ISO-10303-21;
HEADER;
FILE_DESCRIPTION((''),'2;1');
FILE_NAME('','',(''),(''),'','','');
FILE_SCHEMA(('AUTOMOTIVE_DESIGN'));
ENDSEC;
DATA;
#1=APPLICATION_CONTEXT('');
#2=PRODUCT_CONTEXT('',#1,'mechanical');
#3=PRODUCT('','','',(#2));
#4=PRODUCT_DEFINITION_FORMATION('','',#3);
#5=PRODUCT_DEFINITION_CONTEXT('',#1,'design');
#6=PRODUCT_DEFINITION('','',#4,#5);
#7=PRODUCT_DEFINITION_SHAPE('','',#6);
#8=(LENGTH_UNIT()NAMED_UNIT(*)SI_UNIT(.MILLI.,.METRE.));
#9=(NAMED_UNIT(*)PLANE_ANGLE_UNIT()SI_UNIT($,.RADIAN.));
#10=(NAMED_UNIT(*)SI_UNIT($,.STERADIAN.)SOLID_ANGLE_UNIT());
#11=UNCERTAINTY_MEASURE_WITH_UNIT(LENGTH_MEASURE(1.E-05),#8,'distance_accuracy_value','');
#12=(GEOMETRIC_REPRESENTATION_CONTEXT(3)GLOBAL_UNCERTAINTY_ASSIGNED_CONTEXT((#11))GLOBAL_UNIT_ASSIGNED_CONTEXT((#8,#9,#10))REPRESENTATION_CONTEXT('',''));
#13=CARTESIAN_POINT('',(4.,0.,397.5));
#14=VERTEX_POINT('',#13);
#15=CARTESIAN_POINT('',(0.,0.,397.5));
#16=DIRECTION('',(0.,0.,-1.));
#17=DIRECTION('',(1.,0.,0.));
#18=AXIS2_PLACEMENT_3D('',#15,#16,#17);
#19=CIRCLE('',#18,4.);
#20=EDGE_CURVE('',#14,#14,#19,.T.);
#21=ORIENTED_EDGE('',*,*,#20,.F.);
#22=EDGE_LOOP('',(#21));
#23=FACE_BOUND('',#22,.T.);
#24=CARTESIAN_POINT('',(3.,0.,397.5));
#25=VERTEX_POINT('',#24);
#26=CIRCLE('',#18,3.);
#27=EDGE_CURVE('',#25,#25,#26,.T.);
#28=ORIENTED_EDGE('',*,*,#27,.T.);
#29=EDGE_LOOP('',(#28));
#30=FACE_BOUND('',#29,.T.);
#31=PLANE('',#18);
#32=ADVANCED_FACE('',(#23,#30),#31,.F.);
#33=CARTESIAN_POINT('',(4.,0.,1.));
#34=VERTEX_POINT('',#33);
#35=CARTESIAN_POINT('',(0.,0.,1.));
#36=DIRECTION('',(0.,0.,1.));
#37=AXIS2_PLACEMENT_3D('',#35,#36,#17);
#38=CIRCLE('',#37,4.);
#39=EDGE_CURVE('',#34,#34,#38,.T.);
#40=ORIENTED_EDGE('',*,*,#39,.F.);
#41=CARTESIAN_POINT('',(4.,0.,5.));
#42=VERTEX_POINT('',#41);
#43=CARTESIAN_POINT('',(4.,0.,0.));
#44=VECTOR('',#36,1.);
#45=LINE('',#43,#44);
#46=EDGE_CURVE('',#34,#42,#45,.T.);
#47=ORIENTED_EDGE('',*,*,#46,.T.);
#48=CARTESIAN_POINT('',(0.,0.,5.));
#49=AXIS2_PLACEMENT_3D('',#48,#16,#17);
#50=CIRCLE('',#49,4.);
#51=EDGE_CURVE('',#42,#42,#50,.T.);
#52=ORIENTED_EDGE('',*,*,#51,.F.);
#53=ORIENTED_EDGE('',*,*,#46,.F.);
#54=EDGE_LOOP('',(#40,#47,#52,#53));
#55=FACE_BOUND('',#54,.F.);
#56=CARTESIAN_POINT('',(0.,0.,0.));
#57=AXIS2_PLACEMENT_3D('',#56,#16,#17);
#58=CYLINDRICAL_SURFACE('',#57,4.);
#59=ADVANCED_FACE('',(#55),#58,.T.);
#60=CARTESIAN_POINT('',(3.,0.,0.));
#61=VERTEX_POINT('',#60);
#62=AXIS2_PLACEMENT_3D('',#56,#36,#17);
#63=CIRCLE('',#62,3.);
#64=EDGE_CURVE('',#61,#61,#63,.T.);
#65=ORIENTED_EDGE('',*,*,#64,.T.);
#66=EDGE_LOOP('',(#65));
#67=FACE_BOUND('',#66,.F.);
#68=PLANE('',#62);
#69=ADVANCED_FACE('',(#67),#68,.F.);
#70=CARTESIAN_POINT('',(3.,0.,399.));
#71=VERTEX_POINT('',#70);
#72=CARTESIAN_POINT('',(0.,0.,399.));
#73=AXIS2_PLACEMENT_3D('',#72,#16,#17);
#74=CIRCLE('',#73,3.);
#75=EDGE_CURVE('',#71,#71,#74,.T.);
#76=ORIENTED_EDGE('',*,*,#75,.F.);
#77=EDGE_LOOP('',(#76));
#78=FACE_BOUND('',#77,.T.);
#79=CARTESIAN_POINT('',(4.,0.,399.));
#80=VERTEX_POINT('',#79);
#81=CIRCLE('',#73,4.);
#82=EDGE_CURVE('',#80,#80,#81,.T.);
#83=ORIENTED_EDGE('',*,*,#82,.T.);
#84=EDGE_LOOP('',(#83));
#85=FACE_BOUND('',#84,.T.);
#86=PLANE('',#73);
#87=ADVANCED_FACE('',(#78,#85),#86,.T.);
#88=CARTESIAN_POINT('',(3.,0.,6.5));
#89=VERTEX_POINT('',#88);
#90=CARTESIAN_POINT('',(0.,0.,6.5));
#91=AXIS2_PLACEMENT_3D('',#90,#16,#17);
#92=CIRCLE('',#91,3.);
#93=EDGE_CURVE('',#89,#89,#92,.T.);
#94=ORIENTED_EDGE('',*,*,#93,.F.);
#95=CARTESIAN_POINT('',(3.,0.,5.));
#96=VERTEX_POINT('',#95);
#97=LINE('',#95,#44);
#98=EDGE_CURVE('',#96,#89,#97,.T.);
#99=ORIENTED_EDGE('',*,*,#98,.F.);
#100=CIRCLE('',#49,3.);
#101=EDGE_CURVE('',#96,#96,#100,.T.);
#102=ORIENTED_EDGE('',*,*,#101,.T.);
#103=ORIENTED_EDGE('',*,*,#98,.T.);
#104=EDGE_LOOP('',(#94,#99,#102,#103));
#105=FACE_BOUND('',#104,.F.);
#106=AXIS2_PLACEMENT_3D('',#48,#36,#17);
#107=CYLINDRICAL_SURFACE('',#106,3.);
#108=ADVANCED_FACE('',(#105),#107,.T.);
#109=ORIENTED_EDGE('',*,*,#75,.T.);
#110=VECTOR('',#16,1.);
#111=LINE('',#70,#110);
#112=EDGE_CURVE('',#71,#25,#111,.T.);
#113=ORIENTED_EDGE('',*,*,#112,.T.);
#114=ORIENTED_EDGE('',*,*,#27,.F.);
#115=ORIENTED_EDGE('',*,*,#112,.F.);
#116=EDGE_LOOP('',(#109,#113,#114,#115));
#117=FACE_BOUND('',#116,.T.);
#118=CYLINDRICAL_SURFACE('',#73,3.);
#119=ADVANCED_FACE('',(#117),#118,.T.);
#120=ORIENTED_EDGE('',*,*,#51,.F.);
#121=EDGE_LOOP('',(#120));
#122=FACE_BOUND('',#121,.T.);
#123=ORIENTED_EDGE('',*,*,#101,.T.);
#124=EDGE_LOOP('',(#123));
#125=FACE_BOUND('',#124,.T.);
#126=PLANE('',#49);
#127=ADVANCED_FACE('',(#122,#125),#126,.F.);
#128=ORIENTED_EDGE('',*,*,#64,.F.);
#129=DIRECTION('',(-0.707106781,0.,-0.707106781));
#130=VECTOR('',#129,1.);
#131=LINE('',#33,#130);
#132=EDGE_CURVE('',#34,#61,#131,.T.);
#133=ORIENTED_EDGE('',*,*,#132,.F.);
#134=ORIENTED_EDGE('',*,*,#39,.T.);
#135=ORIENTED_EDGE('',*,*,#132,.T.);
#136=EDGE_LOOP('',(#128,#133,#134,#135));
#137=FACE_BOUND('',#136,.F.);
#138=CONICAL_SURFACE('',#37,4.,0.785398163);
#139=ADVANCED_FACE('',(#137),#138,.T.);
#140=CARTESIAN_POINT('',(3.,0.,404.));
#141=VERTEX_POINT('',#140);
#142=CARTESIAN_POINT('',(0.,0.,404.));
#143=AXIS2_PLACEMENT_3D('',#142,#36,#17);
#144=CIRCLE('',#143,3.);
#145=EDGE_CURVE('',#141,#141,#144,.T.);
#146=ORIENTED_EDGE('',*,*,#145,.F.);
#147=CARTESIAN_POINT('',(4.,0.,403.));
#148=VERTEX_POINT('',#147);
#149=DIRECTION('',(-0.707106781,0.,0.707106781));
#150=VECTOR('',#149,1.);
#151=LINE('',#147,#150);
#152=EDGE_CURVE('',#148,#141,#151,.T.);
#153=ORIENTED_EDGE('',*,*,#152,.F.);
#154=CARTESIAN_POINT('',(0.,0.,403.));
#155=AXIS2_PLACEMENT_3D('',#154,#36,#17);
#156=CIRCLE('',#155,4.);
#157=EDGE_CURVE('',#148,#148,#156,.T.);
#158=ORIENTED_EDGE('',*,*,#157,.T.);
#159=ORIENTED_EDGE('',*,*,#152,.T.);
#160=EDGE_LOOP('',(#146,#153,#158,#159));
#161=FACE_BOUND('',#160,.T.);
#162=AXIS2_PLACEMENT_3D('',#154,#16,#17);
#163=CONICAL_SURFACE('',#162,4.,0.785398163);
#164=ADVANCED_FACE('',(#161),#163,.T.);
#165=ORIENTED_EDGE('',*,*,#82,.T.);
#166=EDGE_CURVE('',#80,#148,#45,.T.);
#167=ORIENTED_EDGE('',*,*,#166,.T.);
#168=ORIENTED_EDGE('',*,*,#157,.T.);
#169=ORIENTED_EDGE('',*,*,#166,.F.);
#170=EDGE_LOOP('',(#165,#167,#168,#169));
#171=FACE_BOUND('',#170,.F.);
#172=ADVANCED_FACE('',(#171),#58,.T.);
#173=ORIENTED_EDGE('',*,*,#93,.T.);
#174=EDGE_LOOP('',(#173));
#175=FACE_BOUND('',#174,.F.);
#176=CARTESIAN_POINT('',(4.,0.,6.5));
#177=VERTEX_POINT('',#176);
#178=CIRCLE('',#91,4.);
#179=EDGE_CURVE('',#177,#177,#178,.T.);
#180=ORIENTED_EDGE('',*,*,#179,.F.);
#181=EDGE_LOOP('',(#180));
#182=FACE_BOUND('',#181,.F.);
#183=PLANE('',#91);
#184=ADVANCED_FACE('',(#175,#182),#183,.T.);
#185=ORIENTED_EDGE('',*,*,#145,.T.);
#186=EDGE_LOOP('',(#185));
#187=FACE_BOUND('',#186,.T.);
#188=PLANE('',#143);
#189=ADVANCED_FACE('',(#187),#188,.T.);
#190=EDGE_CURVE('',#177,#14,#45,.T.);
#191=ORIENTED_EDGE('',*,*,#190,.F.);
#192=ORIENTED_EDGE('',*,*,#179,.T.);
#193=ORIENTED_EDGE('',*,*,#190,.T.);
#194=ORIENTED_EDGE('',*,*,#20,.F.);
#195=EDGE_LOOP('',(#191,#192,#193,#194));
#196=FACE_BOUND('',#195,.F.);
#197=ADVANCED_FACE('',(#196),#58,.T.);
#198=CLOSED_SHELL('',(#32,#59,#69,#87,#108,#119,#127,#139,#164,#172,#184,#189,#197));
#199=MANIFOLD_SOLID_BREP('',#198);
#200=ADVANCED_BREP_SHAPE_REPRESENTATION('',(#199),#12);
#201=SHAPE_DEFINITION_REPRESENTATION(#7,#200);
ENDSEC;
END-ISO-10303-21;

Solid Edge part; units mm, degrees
sketch "Sketch1" plane through (0, 0, 0) normal (0, 0, 1) x (1, 0, 0)
  circle A0 centre (0, 0) radius 4
  dimension "D1" = 8
extrude "Ajout_matière_1" add sketch "Sketch1" along normal blind 404
chamfer "Chanfrein_1" distance 1 angle 45 2 edges at (-4, 0, 404) (-4, 0, 0)
sketch "Sketch2" plane through (0, 0, 0) normal (0, -1, 0) x (1, 0, 0)
  line L0 (3, 5) -> (3, 6.5)
  line L1 (3, 6.5) -> (4, 6.5)
  line L2 (4, 6.5) -> (5.3414, 6.5)
  line L3 (5.3414, 6.5) -> (5.3414, 5)
  line L4 (3, 5) -> (5.3414, 5)
  line L5 (3, 397.5) -> (6.5, 397.5)
  line L6 (6.5, 397.5) -> (6.5, 399)
  line L7 (6.5, 399) -> (3, 399)
  line L8 (3, 399) -> (3, 397.5)
  dimension "D1" = 1.5
  dimension "D2" = 1
  dimension "D3" = 5
  dimension "D4" = 1
  dimension "D5" = 1.5
  dimension "D6" = 5
revolve "RevolvedCutout1" cut sketch "Sketch2" angle 360 about axis through (0, 0, 54) along (0, 0, -1)
properties material "Acier S235"
